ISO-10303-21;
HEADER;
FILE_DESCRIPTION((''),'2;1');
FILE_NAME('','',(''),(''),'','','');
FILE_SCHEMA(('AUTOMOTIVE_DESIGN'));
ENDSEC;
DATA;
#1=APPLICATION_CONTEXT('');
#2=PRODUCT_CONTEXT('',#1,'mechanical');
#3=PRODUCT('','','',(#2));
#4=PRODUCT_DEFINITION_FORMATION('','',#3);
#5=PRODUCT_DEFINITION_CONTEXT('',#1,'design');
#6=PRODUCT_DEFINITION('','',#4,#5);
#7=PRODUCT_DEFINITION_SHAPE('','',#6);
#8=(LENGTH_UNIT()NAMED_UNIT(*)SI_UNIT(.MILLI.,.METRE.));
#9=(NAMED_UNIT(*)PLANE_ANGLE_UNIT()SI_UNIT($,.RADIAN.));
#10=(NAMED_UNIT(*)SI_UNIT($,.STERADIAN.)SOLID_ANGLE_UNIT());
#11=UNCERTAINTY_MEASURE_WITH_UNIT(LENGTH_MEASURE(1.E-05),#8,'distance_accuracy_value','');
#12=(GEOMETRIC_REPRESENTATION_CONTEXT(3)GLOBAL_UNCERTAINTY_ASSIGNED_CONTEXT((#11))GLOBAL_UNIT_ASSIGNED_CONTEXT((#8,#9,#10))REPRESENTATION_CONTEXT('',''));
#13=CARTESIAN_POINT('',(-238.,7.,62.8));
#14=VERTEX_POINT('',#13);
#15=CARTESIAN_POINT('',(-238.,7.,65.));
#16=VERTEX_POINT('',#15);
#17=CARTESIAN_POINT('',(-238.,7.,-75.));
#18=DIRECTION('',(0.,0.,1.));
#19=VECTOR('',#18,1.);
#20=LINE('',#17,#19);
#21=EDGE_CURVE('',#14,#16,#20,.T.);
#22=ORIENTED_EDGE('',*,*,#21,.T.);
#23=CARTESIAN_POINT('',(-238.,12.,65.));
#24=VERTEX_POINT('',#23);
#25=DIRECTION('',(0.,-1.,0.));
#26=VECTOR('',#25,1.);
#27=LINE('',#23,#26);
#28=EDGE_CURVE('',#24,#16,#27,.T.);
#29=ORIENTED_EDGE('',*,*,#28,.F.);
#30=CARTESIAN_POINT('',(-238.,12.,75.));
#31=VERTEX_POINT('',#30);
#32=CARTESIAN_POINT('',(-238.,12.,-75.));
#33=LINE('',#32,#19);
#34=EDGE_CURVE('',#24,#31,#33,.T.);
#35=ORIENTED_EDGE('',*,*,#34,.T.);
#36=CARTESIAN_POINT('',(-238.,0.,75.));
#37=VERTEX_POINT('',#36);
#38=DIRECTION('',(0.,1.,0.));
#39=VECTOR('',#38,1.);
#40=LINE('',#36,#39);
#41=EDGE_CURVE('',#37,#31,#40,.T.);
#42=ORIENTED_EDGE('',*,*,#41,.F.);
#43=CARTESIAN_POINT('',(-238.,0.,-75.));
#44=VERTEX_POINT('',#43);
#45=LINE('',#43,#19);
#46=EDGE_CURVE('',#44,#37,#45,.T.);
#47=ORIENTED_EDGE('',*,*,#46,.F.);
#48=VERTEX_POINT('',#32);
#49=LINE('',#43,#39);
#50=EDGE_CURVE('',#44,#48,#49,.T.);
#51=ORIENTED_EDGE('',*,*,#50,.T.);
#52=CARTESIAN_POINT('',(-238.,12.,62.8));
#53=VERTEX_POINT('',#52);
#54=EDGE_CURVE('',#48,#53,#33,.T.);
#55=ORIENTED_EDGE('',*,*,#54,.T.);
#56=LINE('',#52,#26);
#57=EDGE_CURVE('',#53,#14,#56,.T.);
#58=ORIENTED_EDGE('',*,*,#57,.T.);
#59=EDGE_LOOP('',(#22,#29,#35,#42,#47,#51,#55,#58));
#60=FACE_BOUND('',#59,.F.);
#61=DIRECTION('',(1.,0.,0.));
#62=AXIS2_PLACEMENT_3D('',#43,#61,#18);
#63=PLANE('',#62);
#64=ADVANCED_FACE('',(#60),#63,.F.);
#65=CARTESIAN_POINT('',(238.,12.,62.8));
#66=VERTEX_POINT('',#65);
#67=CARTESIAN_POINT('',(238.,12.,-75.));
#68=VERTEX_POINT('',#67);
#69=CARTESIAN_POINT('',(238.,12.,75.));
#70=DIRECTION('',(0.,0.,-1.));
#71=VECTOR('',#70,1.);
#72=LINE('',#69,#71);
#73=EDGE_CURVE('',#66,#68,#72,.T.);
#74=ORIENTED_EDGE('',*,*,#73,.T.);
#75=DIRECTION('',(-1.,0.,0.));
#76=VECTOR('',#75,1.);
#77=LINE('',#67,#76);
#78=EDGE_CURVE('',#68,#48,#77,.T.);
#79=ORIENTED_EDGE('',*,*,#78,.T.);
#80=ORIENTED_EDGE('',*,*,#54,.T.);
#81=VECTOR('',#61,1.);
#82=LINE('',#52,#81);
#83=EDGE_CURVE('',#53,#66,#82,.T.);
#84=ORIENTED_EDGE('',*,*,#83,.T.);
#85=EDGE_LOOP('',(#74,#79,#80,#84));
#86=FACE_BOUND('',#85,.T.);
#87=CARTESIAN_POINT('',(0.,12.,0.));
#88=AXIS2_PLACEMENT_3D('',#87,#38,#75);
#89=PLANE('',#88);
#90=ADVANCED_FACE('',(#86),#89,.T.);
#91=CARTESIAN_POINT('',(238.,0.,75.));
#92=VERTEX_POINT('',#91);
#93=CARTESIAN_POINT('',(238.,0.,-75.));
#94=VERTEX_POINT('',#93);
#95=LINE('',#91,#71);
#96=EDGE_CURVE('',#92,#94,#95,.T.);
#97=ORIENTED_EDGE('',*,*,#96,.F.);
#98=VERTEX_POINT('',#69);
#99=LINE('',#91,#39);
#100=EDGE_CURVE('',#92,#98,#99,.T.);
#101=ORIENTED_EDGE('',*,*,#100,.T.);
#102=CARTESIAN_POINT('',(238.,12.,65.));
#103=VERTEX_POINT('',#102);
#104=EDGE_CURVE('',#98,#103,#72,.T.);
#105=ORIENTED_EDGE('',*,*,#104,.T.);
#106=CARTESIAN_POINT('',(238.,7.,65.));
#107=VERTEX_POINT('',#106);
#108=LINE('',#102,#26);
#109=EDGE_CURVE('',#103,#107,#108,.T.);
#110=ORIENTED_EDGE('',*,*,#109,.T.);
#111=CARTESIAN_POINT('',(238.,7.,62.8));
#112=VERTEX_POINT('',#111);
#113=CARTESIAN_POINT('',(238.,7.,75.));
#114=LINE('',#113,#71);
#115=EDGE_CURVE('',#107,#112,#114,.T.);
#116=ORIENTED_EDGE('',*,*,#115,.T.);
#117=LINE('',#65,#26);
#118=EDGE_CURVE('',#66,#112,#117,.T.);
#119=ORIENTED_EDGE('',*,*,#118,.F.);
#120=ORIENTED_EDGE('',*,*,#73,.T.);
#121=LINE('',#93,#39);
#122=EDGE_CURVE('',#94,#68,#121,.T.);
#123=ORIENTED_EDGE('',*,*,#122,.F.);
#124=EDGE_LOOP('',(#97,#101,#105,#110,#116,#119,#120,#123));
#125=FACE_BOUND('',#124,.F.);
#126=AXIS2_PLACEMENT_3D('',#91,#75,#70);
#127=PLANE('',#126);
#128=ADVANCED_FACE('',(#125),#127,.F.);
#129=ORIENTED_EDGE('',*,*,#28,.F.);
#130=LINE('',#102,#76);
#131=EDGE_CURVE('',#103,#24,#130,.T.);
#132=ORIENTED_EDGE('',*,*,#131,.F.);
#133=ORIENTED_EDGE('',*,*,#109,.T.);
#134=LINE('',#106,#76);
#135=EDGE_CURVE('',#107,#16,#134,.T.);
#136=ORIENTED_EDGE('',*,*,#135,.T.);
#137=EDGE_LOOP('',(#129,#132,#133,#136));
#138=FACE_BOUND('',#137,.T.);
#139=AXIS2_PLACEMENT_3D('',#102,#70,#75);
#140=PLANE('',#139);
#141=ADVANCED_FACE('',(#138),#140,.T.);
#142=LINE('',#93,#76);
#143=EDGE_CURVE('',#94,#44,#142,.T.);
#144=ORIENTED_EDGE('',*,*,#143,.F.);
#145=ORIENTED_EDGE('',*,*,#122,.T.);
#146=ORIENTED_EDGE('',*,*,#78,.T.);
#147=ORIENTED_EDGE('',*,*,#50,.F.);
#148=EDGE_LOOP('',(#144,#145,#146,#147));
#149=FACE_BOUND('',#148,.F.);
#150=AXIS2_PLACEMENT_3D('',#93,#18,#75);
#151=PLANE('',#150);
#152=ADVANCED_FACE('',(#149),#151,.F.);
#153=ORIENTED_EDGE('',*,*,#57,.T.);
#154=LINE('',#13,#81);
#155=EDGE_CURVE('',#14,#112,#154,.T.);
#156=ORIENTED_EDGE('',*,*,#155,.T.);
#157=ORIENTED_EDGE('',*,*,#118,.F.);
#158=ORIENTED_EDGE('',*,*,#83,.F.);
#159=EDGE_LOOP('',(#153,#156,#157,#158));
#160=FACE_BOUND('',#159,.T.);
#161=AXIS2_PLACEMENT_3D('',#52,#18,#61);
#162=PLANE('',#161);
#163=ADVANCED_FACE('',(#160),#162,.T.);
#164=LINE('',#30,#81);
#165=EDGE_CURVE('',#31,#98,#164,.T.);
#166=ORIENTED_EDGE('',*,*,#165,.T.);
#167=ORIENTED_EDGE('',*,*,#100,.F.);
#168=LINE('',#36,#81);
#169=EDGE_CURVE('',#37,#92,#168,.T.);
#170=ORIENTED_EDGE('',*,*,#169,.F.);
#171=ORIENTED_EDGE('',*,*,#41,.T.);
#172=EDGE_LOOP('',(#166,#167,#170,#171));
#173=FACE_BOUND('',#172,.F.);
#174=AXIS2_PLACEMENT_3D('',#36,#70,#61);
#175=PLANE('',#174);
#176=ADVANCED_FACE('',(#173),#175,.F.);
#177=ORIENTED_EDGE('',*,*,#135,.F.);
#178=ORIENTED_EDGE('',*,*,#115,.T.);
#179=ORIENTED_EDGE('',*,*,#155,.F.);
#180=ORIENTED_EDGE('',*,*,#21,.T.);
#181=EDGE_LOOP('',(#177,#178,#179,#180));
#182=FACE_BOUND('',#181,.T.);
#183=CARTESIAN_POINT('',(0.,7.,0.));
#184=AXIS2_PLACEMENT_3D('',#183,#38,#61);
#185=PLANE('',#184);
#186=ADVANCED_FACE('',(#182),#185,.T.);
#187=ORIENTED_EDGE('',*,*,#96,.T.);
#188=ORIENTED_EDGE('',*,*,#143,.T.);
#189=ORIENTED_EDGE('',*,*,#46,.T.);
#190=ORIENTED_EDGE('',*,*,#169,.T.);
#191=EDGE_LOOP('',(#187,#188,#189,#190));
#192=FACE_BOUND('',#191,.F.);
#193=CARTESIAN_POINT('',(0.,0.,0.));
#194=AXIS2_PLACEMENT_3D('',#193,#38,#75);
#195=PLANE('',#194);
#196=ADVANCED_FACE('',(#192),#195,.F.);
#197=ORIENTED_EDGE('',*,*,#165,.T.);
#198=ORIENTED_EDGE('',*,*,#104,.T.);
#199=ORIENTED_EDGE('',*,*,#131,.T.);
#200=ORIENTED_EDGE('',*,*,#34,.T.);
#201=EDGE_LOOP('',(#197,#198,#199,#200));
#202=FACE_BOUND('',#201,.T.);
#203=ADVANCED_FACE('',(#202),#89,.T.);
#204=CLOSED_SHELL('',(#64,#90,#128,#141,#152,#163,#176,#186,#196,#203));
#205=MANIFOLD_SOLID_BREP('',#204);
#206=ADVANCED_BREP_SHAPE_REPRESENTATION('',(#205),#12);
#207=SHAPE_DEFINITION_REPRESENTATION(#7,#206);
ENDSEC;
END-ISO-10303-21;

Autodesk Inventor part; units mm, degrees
ref_plane "YZ Plane" through (0, 0, 0) normal (1, 0, 0) x (0, 1, 0)
ref_plane "XZ Plane" through (0, 0, 0) normal (0, 1, 0) x (-1, 0, 0)
ref_plane "XY Plane" through (0, 0, 0) normal (0, 0, 1) x (1, 0, 0)
sketch "Skizze1" plane through (0, 0, 0) normal (0, 1, 0) x (-1, 0, 0)
  line L0 (238, 75) -> (-238, 75)
  line L1 (-238, 75) -> (-238, -75)
  line L2 (-238, -75) -> (238, -75)
  line L3 (238, -75) -> (238, 75)
  point P0 (0, 0)
  point P1 (0, 75)
  point P2 (-238, 0)
  dimension "d0" = 476
  dimension "d1" = 150
extrude "Extrusion1" add sketch "Skizze1" along normal blind 12
sketch "Skizze2" plane through (0, 12, 0) normal (0, 1, 0) x (1, 0, 0)
  line L0 (238, -75) -> (238, 75) projected
  line L1 (238, 75) -> (-238, 75) projected
  line L2 (-238, 75) -> (-238, -75) projected
  line L3 (-238, -75) -> (238, -75) projected
  line L4 (238, -75) -> (238, 75) projected
  line L5 (238, -65) -> (-238, -65)
  line L6 (-238, -65) -> (-238, -62.8)
  line L7 (-238, -62.8) -> (238, -62.8)
  line L8 (238, -62.8) -> (238, -65)
  point P0 (0, 0)
  dimension "d4" = 10
  dimension "d5" = 2.2
extrude "Extrusion2" cut sketch "Skizze2" against normal blind 5 contours L5 L2 L7 L0
properties part number "Oberseite_Shotclock" material "Holz (Kirsche)"
